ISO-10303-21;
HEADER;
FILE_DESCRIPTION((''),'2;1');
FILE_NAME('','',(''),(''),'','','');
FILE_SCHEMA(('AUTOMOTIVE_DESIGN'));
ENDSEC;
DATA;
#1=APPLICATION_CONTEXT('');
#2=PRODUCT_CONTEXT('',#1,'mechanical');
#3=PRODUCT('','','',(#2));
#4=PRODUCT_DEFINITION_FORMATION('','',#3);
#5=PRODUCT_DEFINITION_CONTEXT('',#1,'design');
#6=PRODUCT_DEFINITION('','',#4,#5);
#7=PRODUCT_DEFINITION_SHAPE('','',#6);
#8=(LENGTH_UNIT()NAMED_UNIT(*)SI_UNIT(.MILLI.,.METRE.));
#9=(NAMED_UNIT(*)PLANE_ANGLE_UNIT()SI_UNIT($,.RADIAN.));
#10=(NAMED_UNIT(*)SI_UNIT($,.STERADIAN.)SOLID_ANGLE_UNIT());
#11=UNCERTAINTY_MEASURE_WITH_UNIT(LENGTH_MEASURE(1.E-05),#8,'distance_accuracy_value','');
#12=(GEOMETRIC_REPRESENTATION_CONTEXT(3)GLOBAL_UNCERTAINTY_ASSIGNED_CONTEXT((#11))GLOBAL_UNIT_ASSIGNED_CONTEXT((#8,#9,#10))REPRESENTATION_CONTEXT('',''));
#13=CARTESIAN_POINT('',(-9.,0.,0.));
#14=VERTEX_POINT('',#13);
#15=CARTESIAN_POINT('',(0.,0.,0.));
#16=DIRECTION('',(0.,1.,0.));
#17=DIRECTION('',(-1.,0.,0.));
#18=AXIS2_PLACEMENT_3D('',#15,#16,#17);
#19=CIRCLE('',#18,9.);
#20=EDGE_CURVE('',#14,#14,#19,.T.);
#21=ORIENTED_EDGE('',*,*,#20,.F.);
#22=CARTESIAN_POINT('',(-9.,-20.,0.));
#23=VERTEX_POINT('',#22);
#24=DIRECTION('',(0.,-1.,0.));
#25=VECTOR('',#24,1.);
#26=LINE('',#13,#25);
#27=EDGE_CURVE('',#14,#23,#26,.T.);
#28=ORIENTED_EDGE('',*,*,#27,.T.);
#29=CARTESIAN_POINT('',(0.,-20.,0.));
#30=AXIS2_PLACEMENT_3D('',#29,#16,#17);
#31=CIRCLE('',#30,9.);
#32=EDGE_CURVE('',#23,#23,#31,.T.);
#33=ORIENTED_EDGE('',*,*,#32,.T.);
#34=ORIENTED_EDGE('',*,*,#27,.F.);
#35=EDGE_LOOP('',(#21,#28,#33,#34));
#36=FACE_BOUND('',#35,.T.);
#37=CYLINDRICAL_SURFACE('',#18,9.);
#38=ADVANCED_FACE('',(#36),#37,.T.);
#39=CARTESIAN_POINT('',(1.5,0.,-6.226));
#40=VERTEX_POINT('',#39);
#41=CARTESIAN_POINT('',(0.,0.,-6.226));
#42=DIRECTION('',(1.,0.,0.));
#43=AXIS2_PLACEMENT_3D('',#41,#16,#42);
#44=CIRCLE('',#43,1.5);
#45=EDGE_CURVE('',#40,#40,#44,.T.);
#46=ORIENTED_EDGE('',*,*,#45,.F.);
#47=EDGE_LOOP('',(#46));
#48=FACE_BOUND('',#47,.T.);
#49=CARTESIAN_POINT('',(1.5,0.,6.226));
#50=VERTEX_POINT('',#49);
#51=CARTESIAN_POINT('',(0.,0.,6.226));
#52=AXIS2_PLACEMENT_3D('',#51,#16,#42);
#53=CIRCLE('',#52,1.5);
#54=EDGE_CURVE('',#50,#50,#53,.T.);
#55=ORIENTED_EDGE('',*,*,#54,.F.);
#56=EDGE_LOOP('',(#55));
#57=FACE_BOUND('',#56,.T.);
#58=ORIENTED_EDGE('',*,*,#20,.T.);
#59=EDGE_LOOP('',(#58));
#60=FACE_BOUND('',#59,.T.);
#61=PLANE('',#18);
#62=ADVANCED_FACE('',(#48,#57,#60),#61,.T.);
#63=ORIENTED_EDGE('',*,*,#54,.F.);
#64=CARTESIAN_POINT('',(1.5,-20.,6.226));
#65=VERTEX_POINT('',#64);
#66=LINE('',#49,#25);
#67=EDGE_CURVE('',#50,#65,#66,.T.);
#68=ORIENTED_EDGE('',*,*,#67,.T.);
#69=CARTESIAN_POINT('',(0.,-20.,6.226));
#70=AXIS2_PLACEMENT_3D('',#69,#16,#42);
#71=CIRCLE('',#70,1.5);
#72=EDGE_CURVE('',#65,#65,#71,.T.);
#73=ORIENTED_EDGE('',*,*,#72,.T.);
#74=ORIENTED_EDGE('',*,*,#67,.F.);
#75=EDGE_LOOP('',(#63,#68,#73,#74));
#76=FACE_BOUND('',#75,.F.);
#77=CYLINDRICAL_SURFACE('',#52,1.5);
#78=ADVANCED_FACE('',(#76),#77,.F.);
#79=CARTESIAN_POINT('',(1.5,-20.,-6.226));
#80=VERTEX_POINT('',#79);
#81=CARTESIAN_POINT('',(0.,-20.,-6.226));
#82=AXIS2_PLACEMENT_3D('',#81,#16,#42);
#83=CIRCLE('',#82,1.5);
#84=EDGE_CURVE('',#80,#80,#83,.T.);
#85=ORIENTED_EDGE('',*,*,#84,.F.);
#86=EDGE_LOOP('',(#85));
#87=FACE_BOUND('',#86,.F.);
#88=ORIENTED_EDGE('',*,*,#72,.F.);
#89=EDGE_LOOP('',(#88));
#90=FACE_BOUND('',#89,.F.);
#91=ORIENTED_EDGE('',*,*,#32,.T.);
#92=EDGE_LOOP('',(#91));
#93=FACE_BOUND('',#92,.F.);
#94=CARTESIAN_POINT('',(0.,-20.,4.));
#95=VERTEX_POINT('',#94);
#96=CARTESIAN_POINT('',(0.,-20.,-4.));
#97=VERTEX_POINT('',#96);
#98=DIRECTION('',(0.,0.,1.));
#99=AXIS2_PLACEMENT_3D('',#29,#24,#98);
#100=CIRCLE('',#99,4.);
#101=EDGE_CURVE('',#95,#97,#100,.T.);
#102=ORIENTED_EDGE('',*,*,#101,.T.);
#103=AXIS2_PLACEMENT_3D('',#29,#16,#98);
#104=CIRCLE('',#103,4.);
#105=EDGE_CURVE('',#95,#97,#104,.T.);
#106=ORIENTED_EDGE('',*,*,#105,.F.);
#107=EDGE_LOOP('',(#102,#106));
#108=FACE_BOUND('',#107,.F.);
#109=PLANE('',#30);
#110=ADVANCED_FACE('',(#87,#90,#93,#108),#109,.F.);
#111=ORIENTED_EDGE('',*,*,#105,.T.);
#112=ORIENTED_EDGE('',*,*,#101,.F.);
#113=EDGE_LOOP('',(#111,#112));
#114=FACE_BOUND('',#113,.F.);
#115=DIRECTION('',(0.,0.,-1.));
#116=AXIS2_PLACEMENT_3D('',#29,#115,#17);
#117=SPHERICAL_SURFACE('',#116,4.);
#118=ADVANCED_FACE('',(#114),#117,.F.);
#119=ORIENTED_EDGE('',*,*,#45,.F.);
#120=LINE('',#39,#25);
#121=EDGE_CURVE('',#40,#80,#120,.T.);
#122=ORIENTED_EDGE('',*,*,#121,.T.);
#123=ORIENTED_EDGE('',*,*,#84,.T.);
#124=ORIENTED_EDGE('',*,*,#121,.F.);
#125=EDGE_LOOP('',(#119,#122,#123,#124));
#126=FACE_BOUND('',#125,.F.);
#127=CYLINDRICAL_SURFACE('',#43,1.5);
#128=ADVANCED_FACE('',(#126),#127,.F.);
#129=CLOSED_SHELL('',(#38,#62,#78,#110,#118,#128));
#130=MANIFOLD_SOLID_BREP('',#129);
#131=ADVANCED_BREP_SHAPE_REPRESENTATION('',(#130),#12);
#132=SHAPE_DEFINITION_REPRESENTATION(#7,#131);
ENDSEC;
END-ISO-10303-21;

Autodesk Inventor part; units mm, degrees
ref_plane "YZ Plane" through (0, 0, 0) normal (1, 0, 0) x (0, 1, 0)
ref_plane "XZ Plane" through (0, 0, 0) normal (0, 1, 0) x (-1, 0, 0)
ref_plane "XY Plane" through (0, 0, 0) normal (0, 0, 1) x (1, 0, 0)
sketch "Boceto1" plane through (0, 0, 0) normal (0, 1, 0) x (-1, 0, 0)
  circle A0 centre (0, 0) radius 9
  dimension "d0" = 18
extrude "Extrusión1" add sketch "Boceto1" against normal blind 20
sketch "Boceto3" plane through (0, 0, 0) normal (0, 1, 0) x (1, 0, 0)
  point P0 (0, 0)
sketch "Boceto4" plane through (0, 0, 0) normal (0, 1, 0) x (1, 0, 0)
  circle A0 centre (0, -6.226) radius 1.5
  circle A1 centre (0, 6.226) radius 1.5
  point P0 (0, 0)
  dimension "d6" = 3
  dimension "d7" = 3
extrude "Extrusión2" cut sketch "Boceto4" against normal blind 20
sketch "Boceto5" plane through (0, -20, 0) normal (0, -1, 0) x (1, 0, 0)
  arc A0 (0, 4) -> (0, -4) centre (0, 0) ccw
  line L0 (0, 4) -> (0, -4)
  dimension "d12" = 8
revolve "Revolución3" cut sketch "Boceto5" angle 360 about axis through (0, -20, 4) along (0, 0, -1)
properties part number "rueda loca"
